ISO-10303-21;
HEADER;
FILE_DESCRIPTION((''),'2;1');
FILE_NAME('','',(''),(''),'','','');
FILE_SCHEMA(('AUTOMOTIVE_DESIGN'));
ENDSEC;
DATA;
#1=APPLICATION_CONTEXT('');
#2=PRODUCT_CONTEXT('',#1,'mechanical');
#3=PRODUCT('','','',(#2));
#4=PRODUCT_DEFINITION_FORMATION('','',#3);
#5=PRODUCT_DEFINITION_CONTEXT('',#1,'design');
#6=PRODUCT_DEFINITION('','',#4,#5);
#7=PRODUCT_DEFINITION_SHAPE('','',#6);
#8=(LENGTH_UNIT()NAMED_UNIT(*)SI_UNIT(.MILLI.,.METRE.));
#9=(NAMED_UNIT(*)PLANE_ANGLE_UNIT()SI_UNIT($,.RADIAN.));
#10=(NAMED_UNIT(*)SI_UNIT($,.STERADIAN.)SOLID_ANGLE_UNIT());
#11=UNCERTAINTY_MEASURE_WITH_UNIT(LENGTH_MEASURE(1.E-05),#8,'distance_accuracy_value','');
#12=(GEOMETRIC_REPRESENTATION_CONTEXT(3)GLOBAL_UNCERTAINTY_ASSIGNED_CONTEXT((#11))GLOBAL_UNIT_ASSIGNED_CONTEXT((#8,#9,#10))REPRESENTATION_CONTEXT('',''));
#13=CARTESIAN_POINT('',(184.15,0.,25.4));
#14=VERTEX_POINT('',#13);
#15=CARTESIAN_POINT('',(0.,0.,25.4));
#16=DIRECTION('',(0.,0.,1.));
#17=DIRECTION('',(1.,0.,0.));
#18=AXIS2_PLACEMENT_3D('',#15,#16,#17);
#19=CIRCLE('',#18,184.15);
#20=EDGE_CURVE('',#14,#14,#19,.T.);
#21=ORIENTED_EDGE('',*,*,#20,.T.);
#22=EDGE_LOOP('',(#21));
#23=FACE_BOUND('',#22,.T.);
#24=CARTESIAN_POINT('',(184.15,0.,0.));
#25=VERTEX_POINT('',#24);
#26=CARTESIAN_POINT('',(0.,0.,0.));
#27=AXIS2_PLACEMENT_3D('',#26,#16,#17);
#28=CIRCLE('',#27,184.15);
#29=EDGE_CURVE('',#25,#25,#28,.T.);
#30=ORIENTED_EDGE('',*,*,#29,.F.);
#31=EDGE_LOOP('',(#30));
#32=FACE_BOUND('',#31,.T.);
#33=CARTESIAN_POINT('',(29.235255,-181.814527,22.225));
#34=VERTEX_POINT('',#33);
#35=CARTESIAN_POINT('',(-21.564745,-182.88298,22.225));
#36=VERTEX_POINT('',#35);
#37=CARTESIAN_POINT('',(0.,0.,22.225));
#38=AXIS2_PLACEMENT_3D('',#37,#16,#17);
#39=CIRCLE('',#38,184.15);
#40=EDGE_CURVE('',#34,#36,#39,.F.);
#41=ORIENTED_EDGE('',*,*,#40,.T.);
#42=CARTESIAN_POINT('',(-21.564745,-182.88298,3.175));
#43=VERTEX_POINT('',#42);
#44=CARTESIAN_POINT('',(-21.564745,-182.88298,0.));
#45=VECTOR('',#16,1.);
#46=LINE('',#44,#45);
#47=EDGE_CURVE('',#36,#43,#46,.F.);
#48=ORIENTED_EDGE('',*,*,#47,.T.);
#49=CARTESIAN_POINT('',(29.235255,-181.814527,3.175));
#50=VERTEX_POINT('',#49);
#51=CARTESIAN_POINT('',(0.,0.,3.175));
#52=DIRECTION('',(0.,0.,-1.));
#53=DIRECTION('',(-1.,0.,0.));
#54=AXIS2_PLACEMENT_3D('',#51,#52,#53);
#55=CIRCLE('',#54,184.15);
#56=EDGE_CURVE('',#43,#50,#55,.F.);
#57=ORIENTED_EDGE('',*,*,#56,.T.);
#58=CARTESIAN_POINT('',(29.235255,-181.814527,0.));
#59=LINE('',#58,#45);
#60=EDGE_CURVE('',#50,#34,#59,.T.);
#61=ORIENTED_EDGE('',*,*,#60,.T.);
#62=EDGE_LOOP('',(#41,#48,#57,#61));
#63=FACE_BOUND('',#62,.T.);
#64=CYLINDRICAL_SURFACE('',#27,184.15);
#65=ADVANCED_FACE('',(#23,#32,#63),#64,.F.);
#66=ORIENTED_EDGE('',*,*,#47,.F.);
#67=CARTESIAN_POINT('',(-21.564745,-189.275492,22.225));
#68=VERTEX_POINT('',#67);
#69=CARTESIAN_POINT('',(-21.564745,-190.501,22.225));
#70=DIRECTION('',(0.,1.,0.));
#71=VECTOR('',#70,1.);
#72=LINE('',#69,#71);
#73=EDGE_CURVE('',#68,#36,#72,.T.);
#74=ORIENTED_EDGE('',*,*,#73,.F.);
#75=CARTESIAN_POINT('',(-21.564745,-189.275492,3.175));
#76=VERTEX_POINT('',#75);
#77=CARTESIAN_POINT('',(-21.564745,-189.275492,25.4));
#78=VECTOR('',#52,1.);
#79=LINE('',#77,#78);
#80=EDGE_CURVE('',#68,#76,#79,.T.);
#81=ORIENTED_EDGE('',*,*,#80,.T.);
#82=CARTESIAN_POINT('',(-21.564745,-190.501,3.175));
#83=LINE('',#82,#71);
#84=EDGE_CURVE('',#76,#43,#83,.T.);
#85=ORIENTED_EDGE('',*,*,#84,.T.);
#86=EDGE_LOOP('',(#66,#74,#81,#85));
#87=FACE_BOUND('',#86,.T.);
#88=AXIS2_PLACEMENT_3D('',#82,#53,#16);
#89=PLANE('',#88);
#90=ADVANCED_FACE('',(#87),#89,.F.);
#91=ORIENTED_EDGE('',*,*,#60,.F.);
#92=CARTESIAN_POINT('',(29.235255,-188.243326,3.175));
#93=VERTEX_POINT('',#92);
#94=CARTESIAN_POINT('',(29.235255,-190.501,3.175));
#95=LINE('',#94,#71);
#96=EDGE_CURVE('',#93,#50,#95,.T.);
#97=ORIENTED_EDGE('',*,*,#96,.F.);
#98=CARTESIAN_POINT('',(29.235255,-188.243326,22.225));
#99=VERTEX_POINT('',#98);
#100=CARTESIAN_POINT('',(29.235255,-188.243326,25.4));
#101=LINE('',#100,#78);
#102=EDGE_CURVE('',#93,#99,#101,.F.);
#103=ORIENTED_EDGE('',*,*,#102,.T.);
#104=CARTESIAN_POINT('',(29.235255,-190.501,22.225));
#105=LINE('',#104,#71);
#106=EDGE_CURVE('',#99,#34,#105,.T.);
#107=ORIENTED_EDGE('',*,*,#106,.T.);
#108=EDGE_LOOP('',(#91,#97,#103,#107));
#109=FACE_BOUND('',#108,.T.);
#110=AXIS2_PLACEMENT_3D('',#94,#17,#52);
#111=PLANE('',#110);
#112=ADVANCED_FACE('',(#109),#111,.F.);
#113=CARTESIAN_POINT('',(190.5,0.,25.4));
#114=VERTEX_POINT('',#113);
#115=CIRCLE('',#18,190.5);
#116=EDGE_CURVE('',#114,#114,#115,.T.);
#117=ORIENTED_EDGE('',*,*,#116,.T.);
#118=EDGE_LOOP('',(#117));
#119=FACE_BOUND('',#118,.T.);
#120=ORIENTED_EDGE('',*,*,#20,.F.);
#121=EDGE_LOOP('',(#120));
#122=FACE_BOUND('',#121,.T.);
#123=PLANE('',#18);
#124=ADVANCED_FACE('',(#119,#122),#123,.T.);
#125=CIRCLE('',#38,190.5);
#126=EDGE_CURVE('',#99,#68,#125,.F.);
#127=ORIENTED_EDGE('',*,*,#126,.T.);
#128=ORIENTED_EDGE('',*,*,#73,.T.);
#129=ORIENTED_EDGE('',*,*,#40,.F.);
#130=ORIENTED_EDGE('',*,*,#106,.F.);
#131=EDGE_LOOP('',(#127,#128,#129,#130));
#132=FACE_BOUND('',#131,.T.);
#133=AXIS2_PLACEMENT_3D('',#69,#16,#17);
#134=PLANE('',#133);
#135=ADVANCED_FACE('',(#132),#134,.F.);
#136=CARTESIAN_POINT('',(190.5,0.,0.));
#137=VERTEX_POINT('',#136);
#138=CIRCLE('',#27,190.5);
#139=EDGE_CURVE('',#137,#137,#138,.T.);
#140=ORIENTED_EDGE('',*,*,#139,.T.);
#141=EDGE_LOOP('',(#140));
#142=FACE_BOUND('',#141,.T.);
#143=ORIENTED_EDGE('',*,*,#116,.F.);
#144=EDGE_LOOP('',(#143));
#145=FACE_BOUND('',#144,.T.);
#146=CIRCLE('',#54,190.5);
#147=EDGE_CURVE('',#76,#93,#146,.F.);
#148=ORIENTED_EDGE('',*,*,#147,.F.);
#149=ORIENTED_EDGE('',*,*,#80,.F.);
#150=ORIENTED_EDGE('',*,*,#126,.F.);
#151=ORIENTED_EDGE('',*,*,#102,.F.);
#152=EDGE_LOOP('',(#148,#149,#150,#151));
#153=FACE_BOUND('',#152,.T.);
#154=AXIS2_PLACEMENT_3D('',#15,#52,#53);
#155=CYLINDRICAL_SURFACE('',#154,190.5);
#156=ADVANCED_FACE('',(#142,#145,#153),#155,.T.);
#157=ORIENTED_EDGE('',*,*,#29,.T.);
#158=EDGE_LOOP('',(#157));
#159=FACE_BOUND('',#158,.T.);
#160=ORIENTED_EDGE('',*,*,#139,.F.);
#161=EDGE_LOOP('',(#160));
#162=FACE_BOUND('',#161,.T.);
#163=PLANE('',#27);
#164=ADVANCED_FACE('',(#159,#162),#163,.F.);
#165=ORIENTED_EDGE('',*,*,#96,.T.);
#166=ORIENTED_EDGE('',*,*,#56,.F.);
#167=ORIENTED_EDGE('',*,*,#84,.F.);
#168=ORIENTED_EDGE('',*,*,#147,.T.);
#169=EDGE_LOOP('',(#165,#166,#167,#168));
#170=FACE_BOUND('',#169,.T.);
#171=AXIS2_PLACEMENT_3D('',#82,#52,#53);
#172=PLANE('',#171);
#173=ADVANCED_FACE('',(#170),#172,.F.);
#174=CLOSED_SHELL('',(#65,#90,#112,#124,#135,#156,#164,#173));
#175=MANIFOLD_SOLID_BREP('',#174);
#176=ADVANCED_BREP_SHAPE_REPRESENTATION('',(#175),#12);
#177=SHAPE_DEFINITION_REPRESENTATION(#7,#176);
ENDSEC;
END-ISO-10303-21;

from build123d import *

# Parameters (mm, degrees)
SKETCH1_R               = 190.5
BOSS_EXTRUDE1_DEPTH     = 25.4
SKETCH2_R               = 184.15
CUT_EXTRUDE1_DEPTH      = 25.4
CUT_EXTRUDE2_REACH      = 272.602
CUT_EXTRUDE2_END_RADIUS = 190.5
SKETCH3_W               = 50.8
SKETCH3_H               = 19.05


with BuildPart() as part:
    # Sketch1 → Boss-Extrude1 (new body)
    with BuildSketch(Plane.XY):
        Circle(SKETCH1_R)
    extrude(amount=BOSS_EXTRUDE1_DEPTH)

    # Sketch2 → Cut-Extrude1 (cut)
    with BuildSketch(Plane.XY.offset(25.4)):
        Circle(SKETCH2_R)
    extrude(amount=-CUT_EXTRUDE1_DEPTH, mode=Mode.SUBTRACT)

    # Cut-Extrude2: up to this cylinder (the profile starts inside it)
    cut_extrude2_end = Plane(origin=(0, 0, 12.7), z_dir=(0, 0, -1)) * Cylinder(CUT_EXTRUDE2_END_RADIUS, 927.204, mode=Mode.PRIVATE)
    # Sketch3 → Cut-Extrude2 (cut, up to the surface)
    with BuildSketch(Plane(origin=(0, 0, 0), x_dir=(1, 0, 0), z_dir=(0, 1, 0)), mode=Mode.PRIVATE) as cut_extrude2_sk1:
        with Locations((3.83525529, -12.7)):
            Rectangle(SKETCH3_W, SKETCH3_H)
    cut_extrude2_tool1 = extrude(cut_extrude2_sk1.sketch, amount=-CUT_EXTRUDE2_REACH, mode=Mode.PRIVATE) & cut_extrude2_end
    add(cut_extrude2_tool1.solids().sort_by_distance((3.835255, 0, 12.7))[0], mode=Mode.SUBTRACT)


solid = part.part
